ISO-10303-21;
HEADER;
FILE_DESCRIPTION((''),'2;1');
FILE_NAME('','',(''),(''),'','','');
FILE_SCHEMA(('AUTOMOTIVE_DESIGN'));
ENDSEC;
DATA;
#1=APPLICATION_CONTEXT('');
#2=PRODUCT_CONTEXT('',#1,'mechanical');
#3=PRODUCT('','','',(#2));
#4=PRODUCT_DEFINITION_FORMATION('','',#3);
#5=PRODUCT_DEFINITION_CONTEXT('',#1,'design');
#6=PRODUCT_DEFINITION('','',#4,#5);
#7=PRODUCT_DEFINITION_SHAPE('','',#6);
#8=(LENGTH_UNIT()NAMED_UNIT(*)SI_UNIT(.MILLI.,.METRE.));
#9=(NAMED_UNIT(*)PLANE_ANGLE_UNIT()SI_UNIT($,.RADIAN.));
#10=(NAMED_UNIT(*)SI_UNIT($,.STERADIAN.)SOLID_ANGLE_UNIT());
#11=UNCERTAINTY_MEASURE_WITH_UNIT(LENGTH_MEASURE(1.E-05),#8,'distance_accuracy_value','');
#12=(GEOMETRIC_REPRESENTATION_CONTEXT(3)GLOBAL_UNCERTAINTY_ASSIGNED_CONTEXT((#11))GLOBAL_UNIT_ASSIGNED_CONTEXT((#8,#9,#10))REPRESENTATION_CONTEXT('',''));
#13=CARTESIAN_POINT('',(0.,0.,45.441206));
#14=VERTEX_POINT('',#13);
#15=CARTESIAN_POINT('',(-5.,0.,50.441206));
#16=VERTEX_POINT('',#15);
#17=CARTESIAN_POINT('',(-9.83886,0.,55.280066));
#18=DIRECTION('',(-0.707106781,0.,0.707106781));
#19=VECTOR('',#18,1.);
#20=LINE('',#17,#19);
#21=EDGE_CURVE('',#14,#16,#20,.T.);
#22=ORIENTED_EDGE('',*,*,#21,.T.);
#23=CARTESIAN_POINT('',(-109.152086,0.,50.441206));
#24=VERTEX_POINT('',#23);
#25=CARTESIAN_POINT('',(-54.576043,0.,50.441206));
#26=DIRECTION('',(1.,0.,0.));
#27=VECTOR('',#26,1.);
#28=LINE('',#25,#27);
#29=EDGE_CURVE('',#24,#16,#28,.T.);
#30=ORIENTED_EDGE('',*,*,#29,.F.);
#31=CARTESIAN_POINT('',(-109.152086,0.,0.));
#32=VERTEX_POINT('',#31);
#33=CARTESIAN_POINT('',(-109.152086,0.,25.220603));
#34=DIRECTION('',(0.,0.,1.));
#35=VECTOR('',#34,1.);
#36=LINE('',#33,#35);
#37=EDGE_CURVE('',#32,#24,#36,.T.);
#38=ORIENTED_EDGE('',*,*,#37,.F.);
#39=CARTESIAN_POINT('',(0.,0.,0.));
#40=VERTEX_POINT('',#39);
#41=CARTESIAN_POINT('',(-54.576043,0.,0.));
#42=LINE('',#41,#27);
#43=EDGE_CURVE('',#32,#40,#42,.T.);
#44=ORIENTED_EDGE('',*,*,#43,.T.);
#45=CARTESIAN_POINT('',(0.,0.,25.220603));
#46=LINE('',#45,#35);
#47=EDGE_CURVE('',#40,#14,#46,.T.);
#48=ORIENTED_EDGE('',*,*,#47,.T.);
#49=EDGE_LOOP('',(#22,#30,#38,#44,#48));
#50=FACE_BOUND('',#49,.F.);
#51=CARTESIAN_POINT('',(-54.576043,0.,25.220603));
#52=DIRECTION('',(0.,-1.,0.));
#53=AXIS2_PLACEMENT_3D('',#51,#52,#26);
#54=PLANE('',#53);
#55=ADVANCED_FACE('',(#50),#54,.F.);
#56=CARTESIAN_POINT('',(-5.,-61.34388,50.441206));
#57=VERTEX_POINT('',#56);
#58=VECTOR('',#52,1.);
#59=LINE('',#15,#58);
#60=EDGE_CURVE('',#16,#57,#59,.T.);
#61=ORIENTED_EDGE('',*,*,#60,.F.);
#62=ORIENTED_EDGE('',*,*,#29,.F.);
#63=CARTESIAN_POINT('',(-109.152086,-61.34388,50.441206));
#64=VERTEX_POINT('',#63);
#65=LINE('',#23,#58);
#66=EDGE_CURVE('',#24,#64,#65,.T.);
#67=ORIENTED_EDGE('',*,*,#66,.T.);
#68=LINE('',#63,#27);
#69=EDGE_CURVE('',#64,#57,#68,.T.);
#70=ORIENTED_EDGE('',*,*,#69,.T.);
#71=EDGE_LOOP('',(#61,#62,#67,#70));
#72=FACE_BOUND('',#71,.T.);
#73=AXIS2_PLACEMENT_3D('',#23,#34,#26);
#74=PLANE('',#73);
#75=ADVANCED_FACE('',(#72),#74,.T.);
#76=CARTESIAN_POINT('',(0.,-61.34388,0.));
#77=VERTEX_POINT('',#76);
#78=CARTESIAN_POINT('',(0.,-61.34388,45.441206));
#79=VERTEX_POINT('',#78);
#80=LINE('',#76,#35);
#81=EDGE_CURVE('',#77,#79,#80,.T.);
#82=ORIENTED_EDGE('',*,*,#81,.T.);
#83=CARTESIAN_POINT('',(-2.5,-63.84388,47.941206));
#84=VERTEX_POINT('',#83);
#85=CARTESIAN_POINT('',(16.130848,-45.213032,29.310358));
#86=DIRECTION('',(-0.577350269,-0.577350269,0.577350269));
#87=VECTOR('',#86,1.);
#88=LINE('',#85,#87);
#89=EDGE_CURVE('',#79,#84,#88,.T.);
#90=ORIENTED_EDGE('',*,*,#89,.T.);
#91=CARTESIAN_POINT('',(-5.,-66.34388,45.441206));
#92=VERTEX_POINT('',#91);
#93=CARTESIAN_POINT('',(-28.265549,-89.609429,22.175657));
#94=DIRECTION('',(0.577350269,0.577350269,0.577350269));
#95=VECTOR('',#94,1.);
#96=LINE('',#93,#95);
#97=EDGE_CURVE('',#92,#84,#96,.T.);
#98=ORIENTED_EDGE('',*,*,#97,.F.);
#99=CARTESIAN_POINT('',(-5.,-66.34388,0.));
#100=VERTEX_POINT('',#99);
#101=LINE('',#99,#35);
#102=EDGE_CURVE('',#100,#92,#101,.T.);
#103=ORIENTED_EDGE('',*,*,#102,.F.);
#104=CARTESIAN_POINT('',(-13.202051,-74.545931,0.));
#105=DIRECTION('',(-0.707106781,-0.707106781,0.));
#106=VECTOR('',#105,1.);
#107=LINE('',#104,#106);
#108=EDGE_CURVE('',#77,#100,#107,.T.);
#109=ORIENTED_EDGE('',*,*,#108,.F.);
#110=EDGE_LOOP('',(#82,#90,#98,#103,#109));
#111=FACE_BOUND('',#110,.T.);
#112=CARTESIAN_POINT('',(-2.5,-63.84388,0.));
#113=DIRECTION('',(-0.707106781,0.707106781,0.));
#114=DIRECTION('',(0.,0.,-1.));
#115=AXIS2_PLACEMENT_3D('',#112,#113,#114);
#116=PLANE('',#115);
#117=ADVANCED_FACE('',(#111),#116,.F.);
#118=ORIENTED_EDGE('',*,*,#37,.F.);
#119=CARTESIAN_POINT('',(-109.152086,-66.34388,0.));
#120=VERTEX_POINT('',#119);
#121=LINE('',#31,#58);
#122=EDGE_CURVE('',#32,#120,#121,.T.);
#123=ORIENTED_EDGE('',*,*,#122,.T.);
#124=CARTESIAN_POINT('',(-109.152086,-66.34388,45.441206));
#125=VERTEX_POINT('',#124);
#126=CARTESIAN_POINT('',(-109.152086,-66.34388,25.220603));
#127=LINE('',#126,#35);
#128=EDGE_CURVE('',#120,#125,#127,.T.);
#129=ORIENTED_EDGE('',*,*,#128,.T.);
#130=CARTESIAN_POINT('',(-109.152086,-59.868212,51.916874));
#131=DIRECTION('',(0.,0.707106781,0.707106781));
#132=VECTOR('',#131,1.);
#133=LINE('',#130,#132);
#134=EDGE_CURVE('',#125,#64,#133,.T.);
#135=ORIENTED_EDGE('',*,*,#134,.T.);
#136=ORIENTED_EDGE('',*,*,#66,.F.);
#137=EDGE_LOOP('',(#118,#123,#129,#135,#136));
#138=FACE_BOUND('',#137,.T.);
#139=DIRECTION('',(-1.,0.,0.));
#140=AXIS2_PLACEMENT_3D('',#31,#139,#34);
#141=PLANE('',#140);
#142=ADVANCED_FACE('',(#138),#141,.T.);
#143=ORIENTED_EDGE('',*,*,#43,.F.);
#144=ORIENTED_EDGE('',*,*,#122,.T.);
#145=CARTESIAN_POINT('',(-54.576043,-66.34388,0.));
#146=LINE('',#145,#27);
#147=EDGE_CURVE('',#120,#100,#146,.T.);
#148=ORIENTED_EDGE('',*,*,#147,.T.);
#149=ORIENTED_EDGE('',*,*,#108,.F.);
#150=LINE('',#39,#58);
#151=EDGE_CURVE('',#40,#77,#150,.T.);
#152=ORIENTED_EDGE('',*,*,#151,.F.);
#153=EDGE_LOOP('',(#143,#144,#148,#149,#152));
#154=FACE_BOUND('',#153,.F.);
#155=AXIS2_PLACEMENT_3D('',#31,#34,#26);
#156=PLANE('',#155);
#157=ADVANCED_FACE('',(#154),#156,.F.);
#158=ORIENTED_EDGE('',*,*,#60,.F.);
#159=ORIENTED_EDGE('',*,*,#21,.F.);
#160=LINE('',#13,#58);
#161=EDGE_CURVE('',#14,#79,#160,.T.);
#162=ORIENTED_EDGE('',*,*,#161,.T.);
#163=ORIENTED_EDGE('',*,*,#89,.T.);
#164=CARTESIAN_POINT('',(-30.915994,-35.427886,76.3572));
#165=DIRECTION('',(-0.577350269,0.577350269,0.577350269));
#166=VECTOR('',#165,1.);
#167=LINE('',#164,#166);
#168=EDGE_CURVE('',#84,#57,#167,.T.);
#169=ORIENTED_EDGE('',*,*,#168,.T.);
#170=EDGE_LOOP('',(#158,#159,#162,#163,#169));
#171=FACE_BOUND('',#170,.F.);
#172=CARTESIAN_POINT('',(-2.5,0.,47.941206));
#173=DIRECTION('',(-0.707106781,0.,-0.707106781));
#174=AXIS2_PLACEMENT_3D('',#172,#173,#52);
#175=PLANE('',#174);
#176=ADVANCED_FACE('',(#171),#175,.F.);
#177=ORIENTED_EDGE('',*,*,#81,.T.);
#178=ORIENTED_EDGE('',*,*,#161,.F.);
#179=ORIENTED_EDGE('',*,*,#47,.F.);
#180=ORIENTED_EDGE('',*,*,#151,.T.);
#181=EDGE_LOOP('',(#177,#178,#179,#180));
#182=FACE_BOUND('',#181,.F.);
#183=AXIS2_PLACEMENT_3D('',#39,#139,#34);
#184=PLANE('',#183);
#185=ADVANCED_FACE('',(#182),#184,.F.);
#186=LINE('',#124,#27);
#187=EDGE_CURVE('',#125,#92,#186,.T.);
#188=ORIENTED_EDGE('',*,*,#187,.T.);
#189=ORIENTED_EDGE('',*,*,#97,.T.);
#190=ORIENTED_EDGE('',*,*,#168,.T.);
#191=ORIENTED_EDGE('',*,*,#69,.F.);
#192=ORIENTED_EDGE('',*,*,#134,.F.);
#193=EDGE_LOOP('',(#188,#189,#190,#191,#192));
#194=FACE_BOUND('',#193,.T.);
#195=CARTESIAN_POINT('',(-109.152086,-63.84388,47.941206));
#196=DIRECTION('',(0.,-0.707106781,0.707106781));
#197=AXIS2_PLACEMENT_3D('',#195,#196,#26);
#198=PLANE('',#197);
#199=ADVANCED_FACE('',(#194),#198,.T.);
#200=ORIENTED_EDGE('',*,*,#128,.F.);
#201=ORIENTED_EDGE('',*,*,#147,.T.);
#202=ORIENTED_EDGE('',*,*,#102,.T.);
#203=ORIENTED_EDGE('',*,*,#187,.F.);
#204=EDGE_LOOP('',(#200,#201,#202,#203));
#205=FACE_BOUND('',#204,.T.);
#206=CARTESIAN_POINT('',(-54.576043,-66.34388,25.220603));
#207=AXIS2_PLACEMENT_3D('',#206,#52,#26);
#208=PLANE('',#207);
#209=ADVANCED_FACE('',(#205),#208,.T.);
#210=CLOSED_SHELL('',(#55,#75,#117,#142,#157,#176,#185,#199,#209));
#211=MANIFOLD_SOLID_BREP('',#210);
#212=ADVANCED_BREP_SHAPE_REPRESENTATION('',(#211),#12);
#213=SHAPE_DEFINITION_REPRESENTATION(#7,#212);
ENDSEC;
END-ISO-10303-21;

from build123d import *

# Parameters (mm, degrees)
F0_W     = 109.152086
F0_H     = 50.441206
F1_DEPTH = 66.34388
F2_SIZE  = 5
F3_SIZE  = 5


with BuildPart() as f1:
    # F0 (on Front) → F1 (new body)
    with BuildSketch(Plane.XZ):
        with Locations((-54.576043, 25.220603)):
            Rectangle(F0_W, F0_H)
    extrude(amount=F1_DEPTH)

    # F2
    f2_edges = [f1.edges().sort_by_distance(p)[0] for p in [
        (0, -33.17194, 50.441206),
        (0, -66.34388, 25.220603),
    ]]
    chamfer(f2_edges, length=F2_SIZE)

    # F3
    f3_edges = [f1.edges().sort_by_distance(p)[0] for p in [
        (-57.076043, -66.34388, 50.441206),
    ]]
    chamfer(f3_edges, length=F3_SIZE)


solid = f1.part
